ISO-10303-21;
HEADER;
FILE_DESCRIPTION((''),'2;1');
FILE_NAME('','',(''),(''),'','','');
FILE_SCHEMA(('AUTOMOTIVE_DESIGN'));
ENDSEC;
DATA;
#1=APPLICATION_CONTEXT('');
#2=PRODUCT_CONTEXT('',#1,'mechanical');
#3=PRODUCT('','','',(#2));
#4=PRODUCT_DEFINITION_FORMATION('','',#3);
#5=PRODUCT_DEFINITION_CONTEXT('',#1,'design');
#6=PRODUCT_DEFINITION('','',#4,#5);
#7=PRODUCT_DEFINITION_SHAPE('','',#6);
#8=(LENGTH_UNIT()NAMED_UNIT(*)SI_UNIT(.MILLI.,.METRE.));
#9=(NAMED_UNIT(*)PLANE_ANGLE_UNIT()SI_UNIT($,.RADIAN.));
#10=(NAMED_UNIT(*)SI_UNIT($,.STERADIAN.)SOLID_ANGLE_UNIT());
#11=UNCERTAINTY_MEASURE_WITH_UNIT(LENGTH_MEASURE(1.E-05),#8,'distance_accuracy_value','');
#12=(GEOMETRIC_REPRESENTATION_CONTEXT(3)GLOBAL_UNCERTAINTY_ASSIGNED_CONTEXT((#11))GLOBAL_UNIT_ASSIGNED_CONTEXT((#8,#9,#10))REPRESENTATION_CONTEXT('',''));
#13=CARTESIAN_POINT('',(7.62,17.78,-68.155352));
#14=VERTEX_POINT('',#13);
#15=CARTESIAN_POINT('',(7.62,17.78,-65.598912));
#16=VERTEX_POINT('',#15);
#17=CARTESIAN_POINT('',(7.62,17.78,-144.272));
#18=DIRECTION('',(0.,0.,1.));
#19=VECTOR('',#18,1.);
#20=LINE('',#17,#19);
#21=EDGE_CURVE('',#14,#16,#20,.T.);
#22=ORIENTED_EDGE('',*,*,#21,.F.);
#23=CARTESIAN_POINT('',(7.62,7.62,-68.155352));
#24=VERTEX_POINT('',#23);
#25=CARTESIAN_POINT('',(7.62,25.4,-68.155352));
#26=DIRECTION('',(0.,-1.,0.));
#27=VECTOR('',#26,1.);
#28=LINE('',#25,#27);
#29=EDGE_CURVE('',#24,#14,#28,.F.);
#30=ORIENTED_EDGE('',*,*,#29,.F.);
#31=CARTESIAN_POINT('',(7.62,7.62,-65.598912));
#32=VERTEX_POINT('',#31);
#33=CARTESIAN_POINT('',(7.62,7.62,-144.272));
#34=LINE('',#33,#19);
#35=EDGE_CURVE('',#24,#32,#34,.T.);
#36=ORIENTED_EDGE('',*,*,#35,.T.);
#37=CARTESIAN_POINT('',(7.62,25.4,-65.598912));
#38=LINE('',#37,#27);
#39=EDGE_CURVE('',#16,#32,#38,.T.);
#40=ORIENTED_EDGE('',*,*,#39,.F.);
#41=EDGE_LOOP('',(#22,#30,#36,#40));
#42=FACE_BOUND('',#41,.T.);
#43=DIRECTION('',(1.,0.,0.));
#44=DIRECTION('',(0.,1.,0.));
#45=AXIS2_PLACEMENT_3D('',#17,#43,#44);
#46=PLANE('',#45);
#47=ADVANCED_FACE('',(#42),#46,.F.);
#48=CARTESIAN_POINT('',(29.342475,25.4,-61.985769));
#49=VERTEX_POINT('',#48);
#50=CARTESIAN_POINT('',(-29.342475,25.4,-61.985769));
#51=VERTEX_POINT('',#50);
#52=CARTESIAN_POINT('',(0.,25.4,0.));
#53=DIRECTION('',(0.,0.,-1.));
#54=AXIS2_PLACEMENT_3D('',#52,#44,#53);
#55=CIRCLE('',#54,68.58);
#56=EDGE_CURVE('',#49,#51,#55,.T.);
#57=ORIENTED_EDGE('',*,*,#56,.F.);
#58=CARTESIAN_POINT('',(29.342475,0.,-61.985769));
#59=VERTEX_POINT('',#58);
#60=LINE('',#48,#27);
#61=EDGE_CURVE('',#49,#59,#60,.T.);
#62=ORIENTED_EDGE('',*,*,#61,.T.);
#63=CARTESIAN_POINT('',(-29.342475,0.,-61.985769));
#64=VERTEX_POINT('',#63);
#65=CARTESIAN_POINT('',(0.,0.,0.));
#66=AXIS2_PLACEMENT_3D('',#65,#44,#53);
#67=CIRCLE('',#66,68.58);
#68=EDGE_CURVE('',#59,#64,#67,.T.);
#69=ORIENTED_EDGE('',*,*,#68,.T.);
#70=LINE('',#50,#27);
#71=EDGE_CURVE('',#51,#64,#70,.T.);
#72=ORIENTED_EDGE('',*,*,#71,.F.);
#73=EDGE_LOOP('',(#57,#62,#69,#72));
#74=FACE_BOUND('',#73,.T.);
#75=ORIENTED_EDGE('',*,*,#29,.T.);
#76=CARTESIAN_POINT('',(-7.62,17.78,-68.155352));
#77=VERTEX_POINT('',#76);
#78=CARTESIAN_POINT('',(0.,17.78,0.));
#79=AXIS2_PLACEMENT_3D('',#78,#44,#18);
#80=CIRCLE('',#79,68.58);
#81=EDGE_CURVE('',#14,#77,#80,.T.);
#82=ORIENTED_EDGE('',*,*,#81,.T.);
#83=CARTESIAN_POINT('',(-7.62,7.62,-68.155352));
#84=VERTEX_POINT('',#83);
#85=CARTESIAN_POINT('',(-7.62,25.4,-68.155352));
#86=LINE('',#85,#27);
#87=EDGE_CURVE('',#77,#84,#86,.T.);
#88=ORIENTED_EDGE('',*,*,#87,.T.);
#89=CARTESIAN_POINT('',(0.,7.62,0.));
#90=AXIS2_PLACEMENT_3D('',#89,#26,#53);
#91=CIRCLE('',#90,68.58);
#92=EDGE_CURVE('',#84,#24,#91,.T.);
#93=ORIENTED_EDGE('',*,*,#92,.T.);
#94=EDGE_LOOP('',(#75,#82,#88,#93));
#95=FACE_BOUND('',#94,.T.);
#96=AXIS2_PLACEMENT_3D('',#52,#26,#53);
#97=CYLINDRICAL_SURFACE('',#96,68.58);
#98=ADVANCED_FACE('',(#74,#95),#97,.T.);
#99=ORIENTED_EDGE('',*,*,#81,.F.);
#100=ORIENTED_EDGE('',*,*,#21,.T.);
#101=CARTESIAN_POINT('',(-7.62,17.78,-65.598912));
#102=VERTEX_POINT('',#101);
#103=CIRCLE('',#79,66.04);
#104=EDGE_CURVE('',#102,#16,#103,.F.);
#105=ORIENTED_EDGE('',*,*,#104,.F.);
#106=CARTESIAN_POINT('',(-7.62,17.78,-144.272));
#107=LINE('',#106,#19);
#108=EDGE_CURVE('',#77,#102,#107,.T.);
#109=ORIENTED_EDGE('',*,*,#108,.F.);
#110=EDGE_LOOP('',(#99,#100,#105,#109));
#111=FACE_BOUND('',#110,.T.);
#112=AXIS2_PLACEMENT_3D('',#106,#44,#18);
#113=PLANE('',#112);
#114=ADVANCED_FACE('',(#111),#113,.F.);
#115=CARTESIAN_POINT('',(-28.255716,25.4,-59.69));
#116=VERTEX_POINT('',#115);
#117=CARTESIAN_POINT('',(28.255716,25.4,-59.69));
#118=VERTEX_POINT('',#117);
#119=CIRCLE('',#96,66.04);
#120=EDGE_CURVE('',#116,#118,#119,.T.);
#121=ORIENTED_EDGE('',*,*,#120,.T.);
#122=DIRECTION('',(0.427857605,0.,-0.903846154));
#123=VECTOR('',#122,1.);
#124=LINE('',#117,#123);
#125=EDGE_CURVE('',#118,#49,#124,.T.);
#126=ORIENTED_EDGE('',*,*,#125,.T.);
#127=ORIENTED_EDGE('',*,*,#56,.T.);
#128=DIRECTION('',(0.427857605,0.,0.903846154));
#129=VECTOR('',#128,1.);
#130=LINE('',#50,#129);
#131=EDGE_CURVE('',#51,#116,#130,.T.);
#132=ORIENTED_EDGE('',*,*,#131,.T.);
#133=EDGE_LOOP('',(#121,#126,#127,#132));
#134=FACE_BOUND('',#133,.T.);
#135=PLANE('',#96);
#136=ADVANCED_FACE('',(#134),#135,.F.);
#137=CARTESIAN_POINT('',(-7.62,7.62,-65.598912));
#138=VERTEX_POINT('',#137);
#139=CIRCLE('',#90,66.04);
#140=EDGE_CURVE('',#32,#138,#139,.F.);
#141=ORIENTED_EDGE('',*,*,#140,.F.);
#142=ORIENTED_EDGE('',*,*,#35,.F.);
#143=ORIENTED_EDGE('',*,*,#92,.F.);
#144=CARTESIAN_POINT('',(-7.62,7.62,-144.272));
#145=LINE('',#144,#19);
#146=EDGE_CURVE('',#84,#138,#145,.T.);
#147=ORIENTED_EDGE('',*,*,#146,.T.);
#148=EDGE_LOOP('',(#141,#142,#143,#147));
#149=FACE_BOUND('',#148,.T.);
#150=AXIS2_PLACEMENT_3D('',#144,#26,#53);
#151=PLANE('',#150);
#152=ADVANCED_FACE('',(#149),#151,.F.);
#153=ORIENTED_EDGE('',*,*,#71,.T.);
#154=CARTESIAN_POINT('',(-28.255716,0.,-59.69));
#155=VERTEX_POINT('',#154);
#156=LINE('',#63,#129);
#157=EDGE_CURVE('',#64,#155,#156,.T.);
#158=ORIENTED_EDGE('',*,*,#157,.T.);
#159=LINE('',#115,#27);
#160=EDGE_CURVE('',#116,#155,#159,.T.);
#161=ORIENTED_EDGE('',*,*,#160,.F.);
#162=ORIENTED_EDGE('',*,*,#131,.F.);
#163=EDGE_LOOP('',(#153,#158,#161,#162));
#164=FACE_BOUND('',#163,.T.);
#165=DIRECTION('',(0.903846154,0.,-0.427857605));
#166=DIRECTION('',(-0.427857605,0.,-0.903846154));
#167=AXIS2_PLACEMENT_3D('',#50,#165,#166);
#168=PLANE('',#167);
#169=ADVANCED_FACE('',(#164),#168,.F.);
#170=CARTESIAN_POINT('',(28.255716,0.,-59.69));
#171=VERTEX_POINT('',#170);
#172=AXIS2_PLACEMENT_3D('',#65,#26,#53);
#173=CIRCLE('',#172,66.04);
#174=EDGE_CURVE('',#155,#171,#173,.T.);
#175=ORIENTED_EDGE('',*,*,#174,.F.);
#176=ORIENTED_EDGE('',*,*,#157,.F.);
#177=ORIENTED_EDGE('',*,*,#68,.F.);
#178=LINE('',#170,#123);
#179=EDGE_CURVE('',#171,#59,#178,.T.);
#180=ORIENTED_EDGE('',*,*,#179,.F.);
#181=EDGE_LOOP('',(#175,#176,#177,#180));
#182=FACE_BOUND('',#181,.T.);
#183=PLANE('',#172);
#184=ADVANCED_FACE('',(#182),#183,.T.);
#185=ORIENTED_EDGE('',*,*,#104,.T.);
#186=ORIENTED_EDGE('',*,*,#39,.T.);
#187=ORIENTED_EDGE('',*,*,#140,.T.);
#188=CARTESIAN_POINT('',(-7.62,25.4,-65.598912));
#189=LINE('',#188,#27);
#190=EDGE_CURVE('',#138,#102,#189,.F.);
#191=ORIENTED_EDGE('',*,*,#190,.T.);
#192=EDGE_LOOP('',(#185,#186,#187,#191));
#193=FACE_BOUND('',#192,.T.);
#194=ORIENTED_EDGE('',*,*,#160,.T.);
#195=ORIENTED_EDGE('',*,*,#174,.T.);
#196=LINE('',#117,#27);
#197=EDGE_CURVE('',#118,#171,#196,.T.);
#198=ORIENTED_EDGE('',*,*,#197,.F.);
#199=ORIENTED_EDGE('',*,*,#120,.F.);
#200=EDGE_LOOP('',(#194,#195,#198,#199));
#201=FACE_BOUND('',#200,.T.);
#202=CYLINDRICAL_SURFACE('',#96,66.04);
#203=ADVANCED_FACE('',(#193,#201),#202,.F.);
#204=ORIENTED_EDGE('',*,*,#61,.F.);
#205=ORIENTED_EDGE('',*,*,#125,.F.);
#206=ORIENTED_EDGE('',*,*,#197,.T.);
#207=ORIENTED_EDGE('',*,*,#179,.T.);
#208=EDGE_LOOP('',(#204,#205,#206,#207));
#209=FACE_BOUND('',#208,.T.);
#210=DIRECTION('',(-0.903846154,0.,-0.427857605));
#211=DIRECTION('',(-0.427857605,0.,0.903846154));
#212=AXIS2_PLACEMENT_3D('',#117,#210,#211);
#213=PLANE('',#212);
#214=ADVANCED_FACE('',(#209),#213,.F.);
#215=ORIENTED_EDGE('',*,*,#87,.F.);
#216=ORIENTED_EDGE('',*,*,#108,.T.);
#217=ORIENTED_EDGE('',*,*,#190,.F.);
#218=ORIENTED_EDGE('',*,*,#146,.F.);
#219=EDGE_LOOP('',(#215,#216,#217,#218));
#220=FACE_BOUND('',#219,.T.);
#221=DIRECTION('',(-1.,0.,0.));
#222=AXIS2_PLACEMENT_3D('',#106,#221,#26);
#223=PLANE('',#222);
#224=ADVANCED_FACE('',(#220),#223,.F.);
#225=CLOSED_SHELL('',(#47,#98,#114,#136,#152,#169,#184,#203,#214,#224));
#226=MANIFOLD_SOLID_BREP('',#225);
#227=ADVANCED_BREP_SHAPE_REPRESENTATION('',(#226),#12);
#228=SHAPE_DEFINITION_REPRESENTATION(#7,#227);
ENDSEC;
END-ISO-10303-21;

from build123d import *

# Parameters (mm, degrees)
BOSS_EXTRUDE1_DEPTH = 25.4
SKETCH2_W           = 15.24
SKETCH2_H           = 10.16
CUT_EXTRUDE1_DEPTH  = 144.272


with BuildPart() as part:
    # Sketch1 → Boss-Extrude1 (new body)
    with BuildSketch(Plane(origin=(0, 0, 0), x_dir=(1, 0, 0), z_dir=(0, 1, 0))):
        with BuildLine():
            Line((-29.342474553, 61.985769231), (-28.255716236, 59.69))
            ThreePointArc((-28.255716236, 59.69), (0, 66.04), (28.255716236, 59.69))
            Line((28.255716236, 59.69), (29.342474553, 61.985769231))
            ThreePointArc((29.342474553, 61.985769231), (0, 68.58), (-29.342474553, 61.985769231))
        make_face()
    extrude(amount=BOSS_EXTRUDE1_DEPTH)

    # Sketch2 → Cut-Extrude1 (cut)
    with BuildSketch(Plane.XY):
        with Locations((0, 12.7)):
            Rectangle(SKETCH2_W, SKETCH2_H)
    extrude(amount=-CUT_EXTRUDE1_DEPTH, mode=Mode.SUBTRACT)


solid = part.part
